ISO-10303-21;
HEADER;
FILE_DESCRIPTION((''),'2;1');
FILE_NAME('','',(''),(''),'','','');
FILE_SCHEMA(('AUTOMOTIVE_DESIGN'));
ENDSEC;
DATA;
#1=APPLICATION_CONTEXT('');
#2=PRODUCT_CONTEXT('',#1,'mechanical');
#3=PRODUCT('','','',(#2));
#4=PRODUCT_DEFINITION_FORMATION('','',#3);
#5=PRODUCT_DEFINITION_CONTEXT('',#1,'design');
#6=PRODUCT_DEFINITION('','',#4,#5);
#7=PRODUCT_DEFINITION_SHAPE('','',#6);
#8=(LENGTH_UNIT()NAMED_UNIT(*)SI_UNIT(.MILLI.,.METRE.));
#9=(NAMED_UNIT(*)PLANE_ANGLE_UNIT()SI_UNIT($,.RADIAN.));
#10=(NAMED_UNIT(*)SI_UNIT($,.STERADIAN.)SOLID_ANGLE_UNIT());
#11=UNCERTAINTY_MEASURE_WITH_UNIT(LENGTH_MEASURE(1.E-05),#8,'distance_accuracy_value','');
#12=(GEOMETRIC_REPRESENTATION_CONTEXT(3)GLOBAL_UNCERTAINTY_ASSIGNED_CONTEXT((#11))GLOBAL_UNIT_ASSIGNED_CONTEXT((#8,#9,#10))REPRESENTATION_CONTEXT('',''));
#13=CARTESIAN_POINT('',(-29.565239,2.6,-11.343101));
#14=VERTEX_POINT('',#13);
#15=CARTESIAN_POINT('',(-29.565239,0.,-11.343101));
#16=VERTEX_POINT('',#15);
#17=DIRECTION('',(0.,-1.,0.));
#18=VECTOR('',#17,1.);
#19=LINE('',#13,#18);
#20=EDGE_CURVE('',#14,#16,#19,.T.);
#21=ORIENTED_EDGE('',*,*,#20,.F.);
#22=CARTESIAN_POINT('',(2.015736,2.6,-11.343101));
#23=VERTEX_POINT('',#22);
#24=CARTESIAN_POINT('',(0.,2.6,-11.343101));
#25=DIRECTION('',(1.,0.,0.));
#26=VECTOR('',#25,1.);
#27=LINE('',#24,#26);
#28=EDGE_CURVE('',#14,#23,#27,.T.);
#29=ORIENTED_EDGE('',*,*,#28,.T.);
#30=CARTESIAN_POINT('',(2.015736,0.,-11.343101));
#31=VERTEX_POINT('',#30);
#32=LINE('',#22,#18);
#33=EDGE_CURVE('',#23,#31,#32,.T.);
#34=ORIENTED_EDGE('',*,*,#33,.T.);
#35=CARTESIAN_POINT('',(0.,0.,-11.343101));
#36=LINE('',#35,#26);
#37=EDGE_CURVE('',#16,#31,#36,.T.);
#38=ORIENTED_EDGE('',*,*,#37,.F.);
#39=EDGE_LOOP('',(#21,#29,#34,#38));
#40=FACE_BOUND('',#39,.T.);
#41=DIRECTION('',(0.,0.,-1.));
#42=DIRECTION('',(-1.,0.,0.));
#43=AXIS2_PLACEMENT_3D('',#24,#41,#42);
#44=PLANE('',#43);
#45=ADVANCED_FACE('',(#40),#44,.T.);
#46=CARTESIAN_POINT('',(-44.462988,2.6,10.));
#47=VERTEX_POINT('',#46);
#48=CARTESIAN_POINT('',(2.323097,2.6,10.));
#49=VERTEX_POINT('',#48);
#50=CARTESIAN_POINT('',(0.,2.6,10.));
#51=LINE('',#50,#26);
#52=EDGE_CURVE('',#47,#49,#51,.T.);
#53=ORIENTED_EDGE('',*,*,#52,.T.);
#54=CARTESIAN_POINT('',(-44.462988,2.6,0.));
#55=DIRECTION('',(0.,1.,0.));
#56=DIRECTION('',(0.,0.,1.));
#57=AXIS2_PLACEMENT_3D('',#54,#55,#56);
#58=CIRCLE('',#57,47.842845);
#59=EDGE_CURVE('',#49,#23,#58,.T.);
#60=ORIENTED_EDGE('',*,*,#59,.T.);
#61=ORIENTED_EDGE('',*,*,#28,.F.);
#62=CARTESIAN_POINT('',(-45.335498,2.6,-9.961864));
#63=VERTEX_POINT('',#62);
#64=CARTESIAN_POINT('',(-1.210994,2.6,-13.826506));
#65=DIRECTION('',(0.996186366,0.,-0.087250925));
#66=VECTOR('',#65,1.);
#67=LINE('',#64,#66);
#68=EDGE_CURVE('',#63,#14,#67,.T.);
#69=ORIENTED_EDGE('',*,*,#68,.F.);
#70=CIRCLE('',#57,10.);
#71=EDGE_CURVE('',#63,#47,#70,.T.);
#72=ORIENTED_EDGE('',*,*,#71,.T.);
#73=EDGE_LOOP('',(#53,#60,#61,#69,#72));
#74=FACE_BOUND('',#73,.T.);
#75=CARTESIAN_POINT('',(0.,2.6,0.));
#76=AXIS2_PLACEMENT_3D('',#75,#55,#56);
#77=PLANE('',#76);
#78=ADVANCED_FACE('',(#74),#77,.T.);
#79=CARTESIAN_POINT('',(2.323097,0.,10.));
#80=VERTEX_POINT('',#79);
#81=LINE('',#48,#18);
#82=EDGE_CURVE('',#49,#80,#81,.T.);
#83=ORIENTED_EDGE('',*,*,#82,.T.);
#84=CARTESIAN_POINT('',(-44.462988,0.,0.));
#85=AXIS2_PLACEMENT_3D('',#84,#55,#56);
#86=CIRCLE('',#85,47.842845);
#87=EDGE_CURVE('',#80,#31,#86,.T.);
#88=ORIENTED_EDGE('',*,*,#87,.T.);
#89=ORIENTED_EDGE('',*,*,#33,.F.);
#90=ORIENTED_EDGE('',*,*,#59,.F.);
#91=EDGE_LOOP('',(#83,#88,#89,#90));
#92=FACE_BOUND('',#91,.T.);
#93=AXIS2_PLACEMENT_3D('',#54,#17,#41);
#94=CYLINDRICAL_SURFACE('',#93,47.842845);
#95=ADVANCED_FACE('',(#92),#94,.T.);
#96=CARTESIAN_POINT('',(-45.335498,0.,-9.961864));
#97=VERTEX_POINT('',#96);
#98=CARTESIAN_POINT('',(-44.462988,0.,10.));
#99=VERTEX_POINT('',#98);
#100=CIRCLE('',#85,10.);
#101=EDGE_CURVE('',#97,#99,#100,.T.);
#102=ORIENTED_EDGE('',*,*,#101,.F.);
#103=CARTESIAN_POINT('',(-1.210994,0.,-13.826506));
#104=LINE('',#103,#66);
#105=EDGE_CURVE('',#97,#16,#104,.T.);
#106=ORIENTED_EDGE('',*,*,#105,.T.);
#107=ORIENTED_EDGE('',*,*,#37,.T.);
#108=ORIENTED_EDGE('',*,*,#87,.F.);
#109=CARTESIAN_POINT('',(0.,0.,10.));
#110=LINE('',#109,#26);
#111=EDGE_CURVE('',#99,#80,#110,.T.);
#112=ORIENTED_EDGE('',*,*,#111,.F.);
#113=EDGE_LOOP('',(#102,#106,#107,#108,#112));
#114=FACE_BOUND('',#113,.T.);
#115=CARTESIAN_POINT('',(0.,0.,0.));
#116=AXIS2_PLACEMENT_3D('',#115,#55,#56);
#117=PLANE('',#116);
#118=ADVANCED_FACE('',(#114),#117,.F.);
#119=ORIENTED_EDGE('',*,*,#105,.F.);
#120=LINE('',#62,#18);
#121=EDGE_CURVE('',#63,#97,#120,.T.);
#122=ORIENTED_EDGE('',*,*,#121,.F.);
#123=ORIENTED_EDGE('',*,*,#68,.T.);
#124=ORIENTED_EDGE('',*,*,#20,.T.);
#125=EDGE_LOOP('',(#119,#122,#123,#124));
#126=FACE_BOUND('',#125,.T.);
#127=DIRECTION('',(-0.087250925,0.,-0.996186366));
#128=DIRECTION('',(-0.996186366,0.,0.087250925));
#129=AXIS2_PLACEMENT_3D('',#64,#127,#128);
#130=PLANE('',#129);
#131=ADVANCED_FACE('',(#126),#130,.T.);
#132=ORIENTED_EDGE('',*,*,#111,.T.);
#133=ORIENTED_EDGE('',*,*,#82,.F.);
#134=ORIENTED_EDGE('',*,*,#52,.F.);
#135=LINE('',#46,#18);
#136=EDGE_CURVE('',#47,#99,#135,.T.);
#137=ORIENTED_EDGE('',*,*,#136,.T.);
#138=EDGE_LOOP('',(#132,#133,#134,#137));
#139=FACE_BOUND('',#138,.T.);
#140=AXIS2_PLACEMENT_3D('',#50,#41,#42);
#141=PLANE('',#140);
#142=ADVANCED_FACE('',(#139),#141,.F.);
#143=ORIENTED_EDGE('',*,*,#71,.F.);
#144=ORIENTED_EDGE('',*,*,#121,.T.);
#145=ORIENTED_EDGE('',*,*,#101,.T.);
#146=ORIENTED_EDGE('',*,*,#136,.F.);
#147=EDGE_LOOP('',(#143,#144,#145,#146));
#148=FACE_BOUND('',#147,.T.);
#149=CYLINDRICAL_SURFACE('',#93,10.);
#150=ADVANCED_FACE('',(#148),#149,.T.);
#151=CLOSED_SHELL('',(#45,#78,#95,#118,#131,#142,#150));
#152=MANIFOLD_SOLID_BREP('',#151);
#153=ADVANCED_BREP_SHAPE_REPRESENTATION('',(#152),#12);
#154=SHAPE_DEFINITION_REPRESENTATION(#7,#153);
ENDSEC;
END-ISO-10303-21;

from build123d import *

# Parameters (mm, degrees)
SKETCH1_R           = 10
BOSS_EXTRUDE1_DEPTH = 2.6


with BuildPart() as part:
    # Sketch1 → Boss-Extrude1 (new body)
    with BuildSketch(Plane(origin=(0, 0, 0), x_dir=(1, 0, 0), z_dir=(0, 1, 0))):
        with Locations((-44.462988446, 0)):
            Circle(SKETCH1_R)
        with BuildLine():
            Line((-29.565238745, 11.34310087), (-45.335497693, 9.961863662))
            ThreePointArc((-45.335497693, 9.961863662), (-37.707438597, 7.373096109), (-34.462988446, 0))
            ThreePointArc((-34.462988446, 0), (-37.391920635, -7.071067812), (-44.462988446, -10))
            Line((-44.462988446, -10), (-29.565238745, -10))
            Line((-29.565238745, -10), (-29.565238745, 11.34310087))
        make_face()
        with BuildLine():
            Line((-29.565238745, -10), (2.323097165, -10))
            ThreePointArc((2.323097165, -10), (3.374896218, 0.688910471), (2.015736466, 11.34310087))
            Line((2.015736466, 11.34310087), (-29.565238745, 11.34310087))
            Line((-29.565238745, 11.34310087), (-29.565238745, -10))
        make_face()
    extrude(amount=BOSS_EXTRUDE1_DEPTH)


solid = part.part
